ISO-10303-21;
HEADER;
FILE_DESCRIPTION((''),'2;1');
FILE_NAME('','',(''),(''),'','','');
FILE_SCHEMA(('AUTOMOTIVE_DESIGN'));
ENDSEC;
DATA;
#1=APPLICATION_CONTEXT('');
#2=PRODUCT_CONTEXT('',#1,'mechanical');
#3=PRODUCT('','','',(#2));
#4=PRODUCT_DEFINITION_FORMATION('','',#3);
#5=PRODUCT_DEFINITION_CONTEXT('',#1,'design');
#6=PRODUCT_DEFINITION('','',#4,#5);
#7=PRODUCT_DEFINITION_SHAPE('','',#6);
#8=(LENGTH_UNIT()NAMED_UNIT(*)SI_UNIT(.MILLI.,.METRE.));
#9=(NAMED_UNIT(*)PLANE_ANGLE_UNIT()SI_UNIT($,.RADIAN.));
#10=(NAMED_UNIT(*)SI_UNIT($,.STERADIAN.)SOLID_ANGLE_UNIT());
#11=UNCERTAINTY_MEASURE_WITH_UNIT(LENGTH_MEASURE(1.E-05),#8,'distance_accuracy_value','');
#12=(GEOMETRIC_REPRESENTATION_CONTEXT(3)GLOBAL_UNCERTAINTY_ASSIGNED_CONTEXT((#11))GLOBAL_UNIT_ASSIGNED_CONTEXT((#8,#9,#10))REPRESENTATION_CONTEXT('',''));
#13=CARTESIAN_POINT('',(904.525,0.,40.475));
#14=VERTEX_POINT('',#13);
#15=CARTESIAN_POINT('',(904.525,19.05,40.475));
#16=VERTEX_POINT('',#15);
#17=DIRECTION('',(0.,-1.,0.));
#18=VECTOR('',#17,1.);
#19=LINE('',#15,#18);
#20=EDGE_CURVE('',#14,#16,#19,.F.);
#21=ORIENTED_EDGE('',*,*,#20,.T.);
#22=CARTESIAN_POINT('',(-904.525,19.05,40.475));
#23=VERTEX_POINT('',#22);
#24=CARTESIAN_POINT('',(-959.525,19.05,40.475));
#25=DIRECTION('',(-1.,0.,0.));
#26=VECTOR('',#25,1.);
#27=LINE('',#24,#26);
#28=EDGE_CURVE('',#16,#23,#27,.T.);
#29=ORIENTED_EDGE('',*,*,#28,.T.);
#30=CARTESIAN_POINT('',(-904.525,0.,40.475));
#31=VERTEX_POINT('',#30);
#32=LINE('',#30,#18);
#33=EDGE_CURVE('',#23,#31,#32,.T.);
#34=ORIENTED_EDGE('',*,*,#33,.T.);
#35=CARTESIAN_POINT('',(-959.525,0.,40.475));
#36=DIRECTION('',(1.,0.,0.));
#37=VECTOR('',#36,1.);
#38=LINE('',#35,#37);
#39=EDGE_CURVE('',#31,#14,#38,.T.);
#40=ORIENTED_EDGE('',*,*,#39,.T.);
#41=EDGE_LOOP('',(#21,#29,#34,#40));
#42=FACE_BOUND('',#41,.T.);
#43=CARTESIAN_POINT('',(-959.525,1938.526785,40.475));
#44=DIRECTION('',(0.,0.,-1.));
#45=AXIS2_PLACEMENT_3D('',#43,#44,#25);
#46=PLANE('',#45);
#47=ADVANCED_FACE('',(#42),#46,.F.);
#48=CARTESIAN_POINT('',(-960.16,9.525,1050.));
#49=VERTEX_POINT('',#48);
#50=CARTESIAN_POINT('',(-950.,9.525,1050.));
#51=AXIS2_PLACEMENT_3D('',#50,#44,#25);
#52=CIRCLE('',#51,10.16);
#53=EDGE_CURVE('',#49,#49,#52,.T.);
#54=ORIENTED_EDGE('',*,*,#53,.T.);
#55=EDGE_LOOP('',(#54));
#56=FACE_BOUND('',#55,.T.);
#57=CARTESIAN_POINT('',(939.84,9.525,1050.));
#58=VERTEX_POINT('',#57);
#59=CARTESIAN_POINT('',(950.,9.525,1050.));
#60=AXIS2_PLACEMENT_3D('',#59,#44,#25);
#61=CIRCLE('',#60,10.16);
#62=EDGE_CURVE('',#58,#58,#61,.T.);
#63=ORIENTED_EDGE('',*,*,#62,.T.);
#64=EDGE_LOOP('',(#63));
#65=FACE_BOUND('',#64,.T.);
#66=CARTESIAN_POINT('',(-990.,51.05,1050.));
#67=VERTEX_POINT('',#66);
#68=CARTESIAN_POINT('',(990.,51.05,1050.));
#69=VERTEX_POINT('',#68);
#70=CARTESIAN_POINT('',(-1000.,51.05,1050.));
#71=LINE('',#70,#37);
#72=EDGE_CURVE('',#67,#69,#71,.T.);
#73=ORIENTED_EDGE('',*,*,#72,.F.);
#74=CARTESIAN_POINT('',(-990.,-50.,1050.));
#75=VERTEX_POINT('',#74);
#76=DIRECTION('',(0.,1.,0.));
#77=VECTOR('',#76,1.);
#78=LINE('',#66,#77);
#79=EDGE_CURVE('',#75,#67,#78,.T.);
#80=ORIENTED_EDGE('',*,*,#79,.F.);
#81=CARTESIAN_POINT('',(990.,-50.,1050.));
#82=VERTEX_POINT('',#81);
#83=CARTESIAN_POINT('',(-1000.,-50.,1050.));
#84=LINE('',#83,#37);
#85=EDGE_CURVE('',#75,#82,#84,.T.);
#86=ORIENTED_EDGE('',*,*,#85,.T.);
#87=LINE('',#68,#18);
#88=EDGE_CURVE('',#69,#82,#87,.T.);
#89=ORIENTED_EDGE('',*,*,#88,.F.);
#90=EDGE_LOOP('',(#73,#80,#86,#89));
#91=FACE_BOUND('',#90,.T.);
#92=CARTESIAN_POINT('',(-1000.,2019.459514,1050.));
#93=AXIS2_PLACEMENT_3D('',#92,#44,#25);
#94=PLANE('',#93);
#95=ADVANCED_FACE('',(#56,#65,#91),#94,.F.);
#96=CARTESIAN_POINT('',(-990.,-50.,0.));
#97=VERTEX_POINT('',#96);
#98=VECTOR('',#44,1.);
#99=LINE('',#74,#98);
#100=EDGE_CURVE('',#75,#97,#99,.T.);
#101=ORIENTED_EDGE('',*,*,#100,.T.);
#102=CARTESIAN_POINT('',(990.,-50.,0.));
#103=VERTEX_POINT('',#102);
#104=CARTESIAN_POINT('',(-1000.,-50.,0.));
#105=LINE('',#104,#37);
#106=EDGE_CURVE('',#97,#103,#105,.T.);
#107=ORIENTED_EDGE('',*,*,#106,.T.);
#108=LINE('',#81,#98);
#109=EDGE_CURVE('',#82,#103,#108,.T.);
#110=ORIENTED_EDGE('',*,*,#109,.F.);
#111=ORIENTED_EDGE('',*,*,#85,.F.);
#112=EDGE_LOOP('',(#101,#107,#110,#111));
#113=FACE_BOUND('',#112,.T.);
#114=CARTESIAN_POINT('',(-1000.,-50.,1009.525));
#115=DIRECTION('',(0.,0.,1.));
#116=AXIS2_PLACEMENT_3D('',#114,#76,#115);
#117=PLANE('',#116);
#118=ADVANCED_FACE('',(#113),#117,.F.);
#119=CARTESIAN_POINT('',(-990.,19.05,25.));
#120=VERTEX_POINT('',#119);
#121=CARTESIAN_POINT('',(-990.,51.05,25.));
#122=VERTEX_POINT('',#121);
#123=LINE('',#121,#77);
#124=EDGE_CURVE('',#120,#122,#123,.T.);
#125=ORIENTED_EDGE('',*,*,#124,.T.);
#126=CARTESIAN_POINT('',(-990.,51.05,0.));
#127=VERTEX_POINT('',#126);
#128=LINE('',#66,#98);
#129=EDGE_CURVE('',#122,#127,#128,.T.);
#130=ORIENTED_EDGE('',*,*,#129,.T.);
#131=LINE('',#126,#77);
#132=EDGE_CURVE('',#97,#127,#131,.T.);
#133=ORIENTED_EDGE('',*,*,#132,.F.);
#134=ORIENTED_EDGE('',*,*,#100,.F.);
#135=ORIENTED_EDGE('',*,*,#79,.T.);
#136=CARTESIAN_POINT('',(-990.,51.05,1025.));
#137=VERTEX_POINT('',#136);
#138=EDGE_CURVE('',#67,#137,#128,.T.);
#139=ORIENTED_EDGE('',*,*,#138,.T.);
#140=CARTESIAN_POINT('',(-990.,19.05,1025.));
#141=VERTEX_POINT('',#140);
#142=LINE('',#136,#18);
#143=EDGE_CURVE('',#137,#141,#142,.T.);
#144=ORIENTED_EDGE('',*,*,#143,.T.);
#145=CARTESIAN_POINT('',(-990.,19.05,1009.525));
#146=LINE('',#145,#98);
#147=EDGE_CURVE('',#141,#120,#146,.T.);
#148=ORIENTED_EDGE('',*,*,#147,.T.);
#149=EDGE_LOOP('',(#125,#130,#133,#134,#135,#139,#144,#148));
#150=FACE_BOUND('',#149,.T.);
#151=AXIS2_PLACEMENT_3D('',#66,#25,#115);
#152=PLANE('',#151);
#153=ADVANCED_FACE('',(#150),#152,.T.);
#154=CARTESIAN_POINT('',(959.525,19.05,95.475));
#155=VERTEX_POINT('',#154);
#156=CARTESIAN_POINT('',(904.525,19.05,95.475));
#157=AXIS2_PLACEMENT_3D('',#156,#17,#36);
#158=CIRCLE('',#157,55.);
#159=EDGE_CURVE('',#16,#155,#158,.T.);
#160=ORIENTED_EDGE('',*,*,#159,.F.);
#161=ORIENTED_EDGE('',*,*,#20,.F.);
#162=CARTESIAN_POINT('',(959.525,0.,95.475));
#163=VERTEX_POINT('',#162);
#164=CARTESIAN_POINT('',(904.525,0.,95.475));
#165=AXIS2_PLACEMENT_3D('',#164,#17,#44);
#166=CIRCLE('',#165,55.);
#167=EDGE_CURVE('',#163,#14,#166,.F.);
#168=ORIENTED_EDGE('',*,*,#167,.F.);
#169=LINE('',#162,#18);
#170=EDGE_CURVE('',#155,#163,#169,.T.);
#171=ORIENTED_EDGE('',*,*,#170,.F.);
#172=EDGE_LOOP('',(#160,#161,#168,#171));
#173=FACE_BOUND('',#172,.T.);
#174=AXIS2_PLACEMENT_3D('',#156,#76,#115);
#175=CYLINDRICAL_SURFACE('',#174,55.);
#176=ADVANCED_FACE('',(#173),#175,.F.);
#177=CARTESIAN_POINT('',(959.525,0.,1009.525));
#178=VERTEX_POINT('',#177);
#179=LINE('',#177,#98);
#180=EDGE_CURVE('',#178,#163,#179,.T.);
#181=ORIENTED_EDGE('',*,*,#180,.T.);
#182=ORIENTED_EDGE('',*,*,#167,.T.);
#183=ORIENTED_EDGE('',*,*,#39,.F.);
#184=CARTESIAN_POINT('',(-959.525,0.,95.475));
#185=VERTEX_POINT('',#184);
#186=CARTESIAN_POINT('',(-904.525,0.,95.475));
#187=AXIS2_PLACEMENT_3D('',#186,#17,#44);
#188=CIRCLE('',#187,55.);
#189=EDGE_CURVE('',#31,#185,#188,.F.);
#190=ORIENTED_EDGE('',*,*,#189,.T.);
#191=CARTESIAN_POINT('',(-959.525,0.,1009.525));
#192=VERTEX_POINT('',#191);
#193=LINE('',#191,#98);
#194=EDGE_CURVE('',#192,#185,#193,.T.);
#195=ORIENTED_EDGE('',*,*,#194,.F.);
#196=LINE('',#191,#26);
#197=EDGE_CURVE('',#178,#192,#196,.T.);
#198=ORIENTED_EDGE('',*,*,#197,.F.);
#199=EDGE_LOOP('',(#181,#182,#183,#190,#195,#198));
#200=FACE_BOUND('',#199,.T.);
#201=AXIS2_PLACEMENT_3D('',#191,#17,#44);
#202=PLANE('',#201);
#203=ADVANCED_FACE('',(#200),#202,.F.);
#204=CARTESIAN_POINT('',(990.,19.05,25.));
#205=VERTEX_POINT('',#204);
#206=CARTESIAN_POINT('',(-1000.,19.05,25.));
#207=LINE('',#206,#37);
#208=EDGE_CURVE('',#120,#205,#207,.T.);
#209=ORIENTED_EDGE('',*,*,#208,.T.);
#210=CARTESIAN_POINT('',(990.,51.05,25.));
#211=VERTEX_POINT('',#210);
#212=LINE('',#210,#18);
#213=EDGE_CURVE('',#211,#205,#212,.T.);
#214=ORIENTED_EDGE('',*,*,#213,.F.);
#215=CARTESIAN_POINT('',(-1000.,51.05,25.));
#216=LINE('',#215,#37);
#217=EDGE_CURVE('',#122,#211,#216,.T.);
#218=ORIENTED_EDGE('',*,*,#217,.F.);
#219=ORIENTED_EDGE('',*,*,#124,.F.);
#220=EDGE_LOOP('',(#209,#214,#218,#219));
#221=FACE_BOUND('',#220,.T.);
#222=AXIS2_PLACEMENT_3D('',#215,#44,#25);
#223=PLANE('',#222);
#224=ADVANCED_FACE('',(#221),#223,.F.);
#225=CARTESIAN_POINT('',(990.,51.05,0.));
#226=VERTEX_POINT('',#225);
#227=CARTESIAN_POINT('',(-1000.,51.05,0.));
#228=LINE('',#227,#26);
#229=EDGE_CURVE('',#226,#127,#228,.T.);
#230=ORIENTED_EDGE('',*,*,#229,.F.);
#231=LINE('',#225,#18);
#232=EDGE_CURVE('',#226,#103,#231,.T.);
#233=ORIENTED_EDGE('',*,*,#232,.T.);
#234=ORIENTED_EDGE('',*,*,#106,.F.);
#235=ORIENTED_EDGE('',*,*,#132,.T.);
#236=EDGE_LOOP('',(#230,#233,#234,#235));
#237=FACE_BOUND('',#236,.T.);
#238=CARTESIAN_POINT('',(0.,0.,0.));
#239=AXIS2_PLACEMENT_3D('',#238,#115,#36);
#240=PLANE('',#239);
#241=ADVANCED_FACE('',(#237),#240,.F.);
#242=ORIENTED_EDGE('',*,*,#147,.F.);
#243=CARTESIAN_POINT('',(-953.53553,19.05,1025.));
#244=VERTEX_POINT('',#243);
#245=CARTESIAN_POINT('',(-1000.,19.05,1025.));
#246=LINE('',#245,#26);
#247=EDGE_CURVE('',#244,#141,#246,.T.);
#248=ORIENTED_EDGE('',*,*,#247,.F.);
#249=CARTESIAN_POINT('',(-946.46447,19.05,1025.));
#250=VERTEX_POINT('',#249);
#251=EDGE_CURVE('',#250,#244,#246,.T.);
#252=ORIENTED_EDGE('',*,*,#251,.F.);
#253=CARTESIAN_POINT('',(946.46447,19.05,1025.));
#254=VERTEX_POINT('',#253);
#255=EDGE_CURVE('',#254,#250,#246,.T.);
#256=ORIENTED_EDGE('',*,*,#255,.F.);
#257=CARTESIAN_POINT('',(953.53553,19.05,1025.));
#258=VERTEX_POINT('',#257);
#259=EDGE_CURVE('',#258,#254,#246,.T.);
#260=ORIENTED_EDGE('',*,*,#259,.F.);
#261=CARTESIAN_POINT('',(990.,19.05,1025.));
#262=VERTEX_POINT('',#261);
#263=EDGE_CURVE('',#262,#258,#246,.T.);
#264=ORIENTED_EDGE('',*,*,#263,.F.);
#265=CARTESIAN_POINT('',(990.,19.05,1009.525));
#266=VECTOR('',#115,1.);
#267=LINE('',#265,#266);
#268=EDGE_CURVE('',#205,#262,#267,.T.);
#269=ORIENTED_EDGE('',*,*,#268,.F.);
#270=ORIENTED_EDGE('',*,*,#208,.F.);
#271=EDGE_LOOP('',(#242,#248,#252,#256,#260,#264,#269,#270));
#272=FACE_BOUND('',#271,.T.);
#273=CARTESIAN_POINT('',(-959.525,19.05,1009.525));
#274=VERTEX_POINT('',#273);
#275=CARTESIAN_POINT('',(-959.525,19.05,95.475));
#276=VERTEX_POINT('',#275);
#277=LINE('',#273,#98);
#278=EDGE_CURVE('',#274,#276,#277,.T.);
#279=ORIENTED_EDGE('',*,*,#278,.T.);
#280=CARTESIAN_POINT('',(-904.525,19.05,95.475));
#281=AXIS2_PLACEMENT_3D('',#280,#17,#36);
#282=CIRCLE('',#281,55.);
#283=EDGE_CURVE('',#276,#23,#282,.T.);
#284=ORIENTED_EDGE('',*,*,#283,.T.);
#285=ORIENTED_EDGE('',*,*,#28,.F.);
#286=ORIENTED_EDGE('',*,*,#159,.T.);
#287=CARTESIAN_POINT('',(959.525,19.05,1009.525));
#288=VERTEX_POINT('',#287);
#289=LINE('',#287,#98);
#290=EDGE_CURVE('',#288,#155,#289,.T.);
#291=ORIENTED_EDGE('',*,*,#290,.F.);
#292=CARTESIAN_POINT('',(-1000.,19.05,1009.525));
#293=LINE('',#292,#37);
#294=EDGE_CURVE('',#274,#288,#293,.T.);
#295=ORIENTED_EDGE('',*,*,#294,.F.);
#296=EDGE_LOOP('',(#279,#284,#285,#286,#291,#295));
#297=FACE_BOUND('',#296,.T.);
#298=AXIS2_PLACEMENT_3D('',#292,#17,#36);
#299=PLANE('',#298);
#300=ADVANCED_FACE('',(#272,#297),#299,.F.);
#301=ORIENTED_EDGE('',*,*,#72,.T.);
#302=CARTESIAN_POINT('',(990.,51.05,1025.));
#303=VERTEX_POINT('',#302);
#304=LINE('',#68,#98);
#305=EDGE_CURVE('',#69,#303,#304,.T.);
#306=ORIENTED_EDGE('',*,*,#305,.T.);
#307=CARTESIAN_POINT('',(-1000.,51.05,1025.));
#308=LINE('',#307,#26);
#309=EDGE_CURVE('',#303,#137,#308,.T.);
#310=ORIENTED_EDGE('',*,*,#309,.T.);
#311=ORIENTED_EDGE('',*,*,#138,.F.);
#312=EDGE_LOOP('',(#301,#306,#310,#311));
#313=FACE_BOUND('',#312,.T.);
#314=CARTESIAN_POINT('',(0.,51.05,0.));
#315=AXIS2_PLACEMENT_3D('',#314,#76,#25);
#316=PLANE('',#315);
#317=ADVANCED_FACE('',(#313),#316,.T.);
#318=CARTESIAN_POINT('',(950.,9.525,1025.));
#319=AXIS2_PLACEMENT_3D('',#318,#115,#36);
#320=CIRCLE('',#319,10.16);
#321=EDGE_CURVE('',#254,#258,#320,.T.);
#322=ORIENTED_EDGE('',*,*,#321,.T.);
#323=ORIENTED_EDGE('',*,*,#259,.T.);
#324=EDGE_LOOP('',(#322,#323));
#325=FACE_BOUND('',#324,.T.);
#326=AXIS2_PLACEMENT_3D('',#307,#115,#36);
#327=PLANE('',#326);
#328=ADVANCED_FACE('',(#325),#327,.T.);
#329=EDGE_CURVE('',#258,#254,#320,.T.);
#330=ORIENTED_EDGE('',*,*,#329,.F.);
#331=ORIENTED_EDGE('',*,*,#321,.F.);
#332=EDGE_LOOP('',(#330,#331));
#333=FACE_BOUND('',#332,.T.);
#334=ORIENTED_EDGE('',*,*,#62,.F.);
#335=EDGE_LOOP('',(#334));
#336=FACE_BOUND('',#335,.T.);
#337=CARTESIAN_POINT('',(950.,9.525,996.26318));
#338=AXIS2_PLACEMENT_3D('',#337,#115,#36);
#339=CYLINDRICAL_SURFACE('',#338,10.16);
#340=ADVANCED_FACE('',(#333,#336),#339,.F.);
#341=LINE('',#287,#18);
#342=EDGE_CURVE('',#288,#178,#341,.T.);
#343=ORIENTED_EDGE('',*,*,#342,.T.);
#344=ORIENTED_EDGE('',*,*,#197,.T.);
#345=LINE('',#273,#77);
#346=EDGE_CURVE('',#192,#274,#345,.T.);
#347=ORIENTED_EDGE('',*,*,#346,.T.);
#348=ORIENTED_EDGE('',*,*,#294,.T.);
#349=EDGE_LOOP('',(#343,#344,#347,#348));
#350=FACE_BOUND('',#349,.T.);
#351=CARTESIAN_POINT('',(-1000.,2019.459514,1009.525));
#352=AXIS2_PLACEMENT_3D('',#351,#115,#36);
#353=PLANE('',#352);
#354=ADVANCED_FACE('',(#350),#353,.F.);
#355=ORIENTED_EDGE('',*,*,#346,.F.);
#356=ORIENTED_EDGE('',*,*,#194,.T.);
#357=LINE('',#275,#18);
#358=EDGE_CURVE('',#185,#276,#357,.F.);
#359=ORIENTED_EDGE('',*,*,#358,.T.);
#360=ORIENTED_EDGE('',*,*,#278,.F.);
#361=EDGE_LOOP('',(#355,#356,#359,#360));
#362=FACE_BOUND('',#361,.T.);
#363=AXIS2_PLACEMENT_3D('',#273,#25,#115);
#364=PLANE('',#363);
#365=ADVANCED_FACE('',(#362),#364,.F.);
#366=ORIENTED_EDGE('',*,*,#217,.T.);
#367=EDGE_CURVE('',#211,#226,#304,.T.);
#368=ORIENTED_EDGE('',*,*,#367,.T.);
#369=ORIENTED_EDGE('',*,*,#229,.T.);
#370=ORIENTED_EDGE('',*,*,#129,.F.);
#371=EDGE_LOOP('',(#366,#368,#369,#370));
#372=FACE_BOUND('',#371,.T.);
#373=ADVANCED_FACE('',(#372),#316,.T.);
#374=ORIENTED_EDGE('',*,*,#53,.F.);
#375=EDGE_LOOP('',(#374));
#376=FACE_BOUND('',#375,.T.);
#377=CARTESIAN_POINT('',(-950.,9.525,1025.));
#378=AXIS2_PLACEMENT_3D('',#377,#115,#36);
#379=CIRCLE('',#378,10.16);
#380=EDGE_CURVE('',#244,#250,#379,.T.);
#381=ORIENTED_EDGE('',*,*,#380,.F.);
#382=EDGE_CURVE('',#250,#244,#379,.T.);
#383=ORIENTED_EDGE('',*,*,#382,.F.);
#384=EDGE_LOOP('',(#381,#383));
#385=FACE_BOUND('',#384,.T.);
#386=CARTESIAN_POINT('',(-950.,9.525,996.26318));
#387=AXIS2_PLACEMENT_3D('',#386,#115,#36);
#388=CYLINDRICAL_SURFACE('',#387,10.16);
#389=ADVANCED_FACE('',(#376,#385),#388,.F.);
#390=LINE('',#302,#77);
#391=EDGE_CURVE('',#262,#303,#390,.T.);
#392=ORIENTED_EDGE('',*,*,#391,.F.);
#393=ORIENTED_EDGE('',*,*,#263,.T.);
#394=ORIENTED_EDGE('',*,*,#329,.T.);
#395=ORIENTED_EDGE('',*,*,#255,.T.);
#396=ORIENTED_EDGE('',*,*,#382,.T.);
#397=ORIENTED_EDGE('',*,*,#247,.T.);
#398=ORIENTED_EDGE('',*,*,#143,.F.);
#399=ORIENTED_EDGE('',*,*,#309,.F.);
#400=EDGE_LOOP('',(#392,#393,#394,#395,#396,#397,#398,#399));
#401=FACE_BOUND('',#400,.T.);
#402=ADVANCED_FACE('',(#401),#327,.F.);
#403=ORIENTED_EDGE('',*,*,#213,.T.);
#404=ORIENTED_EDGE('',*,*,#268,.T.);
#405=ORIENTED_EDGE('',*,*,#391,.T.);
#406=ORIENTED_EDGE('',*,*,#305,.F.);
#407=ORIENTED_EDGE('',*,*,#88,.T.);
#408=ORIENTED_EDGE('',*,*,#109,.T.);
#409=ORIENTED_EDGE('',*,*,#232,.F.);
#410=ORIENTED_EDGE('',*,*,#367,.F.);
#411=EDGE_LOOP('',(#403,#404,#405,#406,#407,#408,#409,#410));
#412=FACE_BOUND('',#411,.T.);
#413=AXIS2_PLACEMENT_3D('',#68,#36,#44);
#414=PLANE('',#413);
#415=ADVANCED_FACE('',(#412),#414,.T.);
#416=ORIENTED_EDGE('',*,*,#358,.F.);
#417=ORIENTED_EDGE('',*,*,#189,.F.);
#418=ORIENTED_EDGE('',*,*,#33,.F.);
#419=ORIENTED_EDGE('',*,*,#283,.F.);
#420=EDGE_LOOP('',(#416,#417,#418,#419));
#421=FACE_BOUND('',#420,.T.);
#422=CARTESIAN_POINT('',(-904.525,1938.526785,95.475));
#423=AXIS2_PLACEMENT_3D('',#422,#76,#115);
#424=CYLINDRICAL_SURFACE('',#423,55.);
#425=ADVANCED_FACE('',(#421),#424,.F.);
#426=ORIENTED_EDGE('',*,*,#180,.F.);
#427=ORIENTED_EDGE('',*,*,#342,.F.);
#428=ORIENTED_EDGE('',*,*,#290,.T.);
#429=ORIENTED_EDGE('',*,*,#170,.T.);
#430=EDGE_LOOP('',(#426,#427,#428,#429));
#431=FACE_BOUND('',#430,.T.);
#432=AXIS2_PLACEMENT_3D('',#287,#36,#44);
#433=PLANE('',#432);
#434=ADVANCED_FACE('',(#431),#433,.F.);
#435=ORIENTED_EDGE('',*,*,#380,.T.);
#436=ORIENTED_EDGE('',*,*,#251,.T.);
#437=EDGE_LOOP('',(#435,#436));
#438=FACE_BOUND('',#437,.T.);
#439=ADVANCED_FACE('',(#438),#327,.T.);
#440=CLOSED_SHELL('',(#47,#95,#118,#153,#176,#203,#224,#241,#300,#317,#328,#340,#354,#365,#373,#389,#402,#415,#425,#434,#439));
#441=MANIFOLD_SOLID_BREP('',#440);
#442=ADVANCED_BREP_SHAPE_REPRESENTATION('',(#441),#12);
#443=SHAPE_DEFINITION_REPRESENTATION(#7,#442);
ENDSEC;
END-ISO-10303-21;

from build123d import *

# Parameters (mm, degrees)
BOSS_EXTRUDE1_DEPTH = 1009.525
SKETCH3_W           = 1919.05
SKETCH3_H           = 40.475
BOSS_EXTRUDE2_DEPTH = 19.05
FILLET1_R           = 55
BOSS_EXTRUDE4_START = -50
SKETCH4_W           = 2000
SKETCH4_H           = 40.475
BOSS_EXTRUDE4_DEPTH = 69.05
BOSS_EXTRUDE6_START = 19.05
SKETCH6_W           = 2000
SKETCH6_H           = 25
BOSS_EXTRUDE6_DEPTH = 32
CUT_EXTRUDE5_START  = 1050
SKETCH5_R           = 10.16
CUT_EXTRUDE5_DEPTH  = 25
SKETCH7_W           = 10
SKETCH7_H           = 101.05
CUT_EXTRUDE6_DEPTH  = 1451.89837773


with BuildPart() as part:
    # Sketch2 → Boss-Extrude1 (new body)
    with BuildSketch(Plane.XY):
        Polygon((-959.525, 0), (959.525, 0), (959.525, 19.05), (1000, 19.05), (1000, -50), (-1000, -50), (-1000, 19.05), (-959.525, 19.05), align=None)
    extrude(amount=BOSS_EXTRUDE1_DEPTH)

    # Sketch3 → Boss-Extrude2 (add)
    with BuildSketch(Plane(origin=(0, 0, 0), x_dir=(1, 0, 0), z_dir=(0, 1, 0))):
        with Locations((0, -20.2375)):
            Rectangle(SKETCH3_W, SKETCH3_H)
    extrude(amount=BOSS_EXTRUDE2_DEPTH)

    # Fillet1
    fillet1_edges = [part.edges().sort_by_distance(p)[0] for p in [
        (959.525, 9.525, 40.475),
        (-959.525, 9.525, 40.475),
    ]]
    fillet(fillet1_edges, radius=FILLET1_R)

    # Sketch4 → Boss-Extrude4 (add)
    with BuildSketch(Plane(origin=(0, 0, 0), x_dir=(1, 0, 0), z_dir=(0, 1, 0)).offset(BOSS_EXTRUDE4_START)):
        with Locations((0, -1029.7625)):
            Rectangle(SKETCH4_W, SKETCH4_H)
    extrude(amount=BOSS_EXTRUDE4_DEPTH)

    # Sketch6 → Boss-Extrude6 (add)
    with BuildSketch(Plane(origin=(0, 0, 0), x_dir=(1, 0, 0), z_dir=(0, 1, 0)).offset(BOSS_EXTRUDE6_START)):
        with Locations((0, -12.5)):
            Rectangle(SKETCH6_W, SKETCH6_H)
        with Locations((0, -1037.5)):
            Rectangle(SKETCH6_W, SKETCH6_H)
    extrude(amount=BOSS_EXTRUDE6_DEPTH)

    # Sketch5 → Cut-Extrude5 (cut)
    with BuildSketch(Plane.XY.offset(CUT_EXTRUDE5_START)):
        with Locations(Location((-950, 9.525, 0), (0, 0, 69.635865194))):
            Circle(SKETCH5_R)
        with Locations(Location((950, 9.525, 0), (0, 0, 69.635865194))):
            Circle(SKETCH5_R)
    extrude(amount=-CUT_EXTRUDE5_DEPTH, mode=Mode.SUBTRACT)

    # Sketch7 → Cut-Extrude6 (cut, through all)
    with BuildSketch(Plane.XY):
        with Locations((-995, 0.525)):
            Rectangle(SKETCH7_W, SKETCH7_H)
        with Locations((995, 0.525)):
            Rectangle(SKETCH7_W, SKETCH7_H)
    extrude(amount=CUT_EXTRUDE6_DEPTH, mode=Mode.SUBTRACT)


solid = part.part
